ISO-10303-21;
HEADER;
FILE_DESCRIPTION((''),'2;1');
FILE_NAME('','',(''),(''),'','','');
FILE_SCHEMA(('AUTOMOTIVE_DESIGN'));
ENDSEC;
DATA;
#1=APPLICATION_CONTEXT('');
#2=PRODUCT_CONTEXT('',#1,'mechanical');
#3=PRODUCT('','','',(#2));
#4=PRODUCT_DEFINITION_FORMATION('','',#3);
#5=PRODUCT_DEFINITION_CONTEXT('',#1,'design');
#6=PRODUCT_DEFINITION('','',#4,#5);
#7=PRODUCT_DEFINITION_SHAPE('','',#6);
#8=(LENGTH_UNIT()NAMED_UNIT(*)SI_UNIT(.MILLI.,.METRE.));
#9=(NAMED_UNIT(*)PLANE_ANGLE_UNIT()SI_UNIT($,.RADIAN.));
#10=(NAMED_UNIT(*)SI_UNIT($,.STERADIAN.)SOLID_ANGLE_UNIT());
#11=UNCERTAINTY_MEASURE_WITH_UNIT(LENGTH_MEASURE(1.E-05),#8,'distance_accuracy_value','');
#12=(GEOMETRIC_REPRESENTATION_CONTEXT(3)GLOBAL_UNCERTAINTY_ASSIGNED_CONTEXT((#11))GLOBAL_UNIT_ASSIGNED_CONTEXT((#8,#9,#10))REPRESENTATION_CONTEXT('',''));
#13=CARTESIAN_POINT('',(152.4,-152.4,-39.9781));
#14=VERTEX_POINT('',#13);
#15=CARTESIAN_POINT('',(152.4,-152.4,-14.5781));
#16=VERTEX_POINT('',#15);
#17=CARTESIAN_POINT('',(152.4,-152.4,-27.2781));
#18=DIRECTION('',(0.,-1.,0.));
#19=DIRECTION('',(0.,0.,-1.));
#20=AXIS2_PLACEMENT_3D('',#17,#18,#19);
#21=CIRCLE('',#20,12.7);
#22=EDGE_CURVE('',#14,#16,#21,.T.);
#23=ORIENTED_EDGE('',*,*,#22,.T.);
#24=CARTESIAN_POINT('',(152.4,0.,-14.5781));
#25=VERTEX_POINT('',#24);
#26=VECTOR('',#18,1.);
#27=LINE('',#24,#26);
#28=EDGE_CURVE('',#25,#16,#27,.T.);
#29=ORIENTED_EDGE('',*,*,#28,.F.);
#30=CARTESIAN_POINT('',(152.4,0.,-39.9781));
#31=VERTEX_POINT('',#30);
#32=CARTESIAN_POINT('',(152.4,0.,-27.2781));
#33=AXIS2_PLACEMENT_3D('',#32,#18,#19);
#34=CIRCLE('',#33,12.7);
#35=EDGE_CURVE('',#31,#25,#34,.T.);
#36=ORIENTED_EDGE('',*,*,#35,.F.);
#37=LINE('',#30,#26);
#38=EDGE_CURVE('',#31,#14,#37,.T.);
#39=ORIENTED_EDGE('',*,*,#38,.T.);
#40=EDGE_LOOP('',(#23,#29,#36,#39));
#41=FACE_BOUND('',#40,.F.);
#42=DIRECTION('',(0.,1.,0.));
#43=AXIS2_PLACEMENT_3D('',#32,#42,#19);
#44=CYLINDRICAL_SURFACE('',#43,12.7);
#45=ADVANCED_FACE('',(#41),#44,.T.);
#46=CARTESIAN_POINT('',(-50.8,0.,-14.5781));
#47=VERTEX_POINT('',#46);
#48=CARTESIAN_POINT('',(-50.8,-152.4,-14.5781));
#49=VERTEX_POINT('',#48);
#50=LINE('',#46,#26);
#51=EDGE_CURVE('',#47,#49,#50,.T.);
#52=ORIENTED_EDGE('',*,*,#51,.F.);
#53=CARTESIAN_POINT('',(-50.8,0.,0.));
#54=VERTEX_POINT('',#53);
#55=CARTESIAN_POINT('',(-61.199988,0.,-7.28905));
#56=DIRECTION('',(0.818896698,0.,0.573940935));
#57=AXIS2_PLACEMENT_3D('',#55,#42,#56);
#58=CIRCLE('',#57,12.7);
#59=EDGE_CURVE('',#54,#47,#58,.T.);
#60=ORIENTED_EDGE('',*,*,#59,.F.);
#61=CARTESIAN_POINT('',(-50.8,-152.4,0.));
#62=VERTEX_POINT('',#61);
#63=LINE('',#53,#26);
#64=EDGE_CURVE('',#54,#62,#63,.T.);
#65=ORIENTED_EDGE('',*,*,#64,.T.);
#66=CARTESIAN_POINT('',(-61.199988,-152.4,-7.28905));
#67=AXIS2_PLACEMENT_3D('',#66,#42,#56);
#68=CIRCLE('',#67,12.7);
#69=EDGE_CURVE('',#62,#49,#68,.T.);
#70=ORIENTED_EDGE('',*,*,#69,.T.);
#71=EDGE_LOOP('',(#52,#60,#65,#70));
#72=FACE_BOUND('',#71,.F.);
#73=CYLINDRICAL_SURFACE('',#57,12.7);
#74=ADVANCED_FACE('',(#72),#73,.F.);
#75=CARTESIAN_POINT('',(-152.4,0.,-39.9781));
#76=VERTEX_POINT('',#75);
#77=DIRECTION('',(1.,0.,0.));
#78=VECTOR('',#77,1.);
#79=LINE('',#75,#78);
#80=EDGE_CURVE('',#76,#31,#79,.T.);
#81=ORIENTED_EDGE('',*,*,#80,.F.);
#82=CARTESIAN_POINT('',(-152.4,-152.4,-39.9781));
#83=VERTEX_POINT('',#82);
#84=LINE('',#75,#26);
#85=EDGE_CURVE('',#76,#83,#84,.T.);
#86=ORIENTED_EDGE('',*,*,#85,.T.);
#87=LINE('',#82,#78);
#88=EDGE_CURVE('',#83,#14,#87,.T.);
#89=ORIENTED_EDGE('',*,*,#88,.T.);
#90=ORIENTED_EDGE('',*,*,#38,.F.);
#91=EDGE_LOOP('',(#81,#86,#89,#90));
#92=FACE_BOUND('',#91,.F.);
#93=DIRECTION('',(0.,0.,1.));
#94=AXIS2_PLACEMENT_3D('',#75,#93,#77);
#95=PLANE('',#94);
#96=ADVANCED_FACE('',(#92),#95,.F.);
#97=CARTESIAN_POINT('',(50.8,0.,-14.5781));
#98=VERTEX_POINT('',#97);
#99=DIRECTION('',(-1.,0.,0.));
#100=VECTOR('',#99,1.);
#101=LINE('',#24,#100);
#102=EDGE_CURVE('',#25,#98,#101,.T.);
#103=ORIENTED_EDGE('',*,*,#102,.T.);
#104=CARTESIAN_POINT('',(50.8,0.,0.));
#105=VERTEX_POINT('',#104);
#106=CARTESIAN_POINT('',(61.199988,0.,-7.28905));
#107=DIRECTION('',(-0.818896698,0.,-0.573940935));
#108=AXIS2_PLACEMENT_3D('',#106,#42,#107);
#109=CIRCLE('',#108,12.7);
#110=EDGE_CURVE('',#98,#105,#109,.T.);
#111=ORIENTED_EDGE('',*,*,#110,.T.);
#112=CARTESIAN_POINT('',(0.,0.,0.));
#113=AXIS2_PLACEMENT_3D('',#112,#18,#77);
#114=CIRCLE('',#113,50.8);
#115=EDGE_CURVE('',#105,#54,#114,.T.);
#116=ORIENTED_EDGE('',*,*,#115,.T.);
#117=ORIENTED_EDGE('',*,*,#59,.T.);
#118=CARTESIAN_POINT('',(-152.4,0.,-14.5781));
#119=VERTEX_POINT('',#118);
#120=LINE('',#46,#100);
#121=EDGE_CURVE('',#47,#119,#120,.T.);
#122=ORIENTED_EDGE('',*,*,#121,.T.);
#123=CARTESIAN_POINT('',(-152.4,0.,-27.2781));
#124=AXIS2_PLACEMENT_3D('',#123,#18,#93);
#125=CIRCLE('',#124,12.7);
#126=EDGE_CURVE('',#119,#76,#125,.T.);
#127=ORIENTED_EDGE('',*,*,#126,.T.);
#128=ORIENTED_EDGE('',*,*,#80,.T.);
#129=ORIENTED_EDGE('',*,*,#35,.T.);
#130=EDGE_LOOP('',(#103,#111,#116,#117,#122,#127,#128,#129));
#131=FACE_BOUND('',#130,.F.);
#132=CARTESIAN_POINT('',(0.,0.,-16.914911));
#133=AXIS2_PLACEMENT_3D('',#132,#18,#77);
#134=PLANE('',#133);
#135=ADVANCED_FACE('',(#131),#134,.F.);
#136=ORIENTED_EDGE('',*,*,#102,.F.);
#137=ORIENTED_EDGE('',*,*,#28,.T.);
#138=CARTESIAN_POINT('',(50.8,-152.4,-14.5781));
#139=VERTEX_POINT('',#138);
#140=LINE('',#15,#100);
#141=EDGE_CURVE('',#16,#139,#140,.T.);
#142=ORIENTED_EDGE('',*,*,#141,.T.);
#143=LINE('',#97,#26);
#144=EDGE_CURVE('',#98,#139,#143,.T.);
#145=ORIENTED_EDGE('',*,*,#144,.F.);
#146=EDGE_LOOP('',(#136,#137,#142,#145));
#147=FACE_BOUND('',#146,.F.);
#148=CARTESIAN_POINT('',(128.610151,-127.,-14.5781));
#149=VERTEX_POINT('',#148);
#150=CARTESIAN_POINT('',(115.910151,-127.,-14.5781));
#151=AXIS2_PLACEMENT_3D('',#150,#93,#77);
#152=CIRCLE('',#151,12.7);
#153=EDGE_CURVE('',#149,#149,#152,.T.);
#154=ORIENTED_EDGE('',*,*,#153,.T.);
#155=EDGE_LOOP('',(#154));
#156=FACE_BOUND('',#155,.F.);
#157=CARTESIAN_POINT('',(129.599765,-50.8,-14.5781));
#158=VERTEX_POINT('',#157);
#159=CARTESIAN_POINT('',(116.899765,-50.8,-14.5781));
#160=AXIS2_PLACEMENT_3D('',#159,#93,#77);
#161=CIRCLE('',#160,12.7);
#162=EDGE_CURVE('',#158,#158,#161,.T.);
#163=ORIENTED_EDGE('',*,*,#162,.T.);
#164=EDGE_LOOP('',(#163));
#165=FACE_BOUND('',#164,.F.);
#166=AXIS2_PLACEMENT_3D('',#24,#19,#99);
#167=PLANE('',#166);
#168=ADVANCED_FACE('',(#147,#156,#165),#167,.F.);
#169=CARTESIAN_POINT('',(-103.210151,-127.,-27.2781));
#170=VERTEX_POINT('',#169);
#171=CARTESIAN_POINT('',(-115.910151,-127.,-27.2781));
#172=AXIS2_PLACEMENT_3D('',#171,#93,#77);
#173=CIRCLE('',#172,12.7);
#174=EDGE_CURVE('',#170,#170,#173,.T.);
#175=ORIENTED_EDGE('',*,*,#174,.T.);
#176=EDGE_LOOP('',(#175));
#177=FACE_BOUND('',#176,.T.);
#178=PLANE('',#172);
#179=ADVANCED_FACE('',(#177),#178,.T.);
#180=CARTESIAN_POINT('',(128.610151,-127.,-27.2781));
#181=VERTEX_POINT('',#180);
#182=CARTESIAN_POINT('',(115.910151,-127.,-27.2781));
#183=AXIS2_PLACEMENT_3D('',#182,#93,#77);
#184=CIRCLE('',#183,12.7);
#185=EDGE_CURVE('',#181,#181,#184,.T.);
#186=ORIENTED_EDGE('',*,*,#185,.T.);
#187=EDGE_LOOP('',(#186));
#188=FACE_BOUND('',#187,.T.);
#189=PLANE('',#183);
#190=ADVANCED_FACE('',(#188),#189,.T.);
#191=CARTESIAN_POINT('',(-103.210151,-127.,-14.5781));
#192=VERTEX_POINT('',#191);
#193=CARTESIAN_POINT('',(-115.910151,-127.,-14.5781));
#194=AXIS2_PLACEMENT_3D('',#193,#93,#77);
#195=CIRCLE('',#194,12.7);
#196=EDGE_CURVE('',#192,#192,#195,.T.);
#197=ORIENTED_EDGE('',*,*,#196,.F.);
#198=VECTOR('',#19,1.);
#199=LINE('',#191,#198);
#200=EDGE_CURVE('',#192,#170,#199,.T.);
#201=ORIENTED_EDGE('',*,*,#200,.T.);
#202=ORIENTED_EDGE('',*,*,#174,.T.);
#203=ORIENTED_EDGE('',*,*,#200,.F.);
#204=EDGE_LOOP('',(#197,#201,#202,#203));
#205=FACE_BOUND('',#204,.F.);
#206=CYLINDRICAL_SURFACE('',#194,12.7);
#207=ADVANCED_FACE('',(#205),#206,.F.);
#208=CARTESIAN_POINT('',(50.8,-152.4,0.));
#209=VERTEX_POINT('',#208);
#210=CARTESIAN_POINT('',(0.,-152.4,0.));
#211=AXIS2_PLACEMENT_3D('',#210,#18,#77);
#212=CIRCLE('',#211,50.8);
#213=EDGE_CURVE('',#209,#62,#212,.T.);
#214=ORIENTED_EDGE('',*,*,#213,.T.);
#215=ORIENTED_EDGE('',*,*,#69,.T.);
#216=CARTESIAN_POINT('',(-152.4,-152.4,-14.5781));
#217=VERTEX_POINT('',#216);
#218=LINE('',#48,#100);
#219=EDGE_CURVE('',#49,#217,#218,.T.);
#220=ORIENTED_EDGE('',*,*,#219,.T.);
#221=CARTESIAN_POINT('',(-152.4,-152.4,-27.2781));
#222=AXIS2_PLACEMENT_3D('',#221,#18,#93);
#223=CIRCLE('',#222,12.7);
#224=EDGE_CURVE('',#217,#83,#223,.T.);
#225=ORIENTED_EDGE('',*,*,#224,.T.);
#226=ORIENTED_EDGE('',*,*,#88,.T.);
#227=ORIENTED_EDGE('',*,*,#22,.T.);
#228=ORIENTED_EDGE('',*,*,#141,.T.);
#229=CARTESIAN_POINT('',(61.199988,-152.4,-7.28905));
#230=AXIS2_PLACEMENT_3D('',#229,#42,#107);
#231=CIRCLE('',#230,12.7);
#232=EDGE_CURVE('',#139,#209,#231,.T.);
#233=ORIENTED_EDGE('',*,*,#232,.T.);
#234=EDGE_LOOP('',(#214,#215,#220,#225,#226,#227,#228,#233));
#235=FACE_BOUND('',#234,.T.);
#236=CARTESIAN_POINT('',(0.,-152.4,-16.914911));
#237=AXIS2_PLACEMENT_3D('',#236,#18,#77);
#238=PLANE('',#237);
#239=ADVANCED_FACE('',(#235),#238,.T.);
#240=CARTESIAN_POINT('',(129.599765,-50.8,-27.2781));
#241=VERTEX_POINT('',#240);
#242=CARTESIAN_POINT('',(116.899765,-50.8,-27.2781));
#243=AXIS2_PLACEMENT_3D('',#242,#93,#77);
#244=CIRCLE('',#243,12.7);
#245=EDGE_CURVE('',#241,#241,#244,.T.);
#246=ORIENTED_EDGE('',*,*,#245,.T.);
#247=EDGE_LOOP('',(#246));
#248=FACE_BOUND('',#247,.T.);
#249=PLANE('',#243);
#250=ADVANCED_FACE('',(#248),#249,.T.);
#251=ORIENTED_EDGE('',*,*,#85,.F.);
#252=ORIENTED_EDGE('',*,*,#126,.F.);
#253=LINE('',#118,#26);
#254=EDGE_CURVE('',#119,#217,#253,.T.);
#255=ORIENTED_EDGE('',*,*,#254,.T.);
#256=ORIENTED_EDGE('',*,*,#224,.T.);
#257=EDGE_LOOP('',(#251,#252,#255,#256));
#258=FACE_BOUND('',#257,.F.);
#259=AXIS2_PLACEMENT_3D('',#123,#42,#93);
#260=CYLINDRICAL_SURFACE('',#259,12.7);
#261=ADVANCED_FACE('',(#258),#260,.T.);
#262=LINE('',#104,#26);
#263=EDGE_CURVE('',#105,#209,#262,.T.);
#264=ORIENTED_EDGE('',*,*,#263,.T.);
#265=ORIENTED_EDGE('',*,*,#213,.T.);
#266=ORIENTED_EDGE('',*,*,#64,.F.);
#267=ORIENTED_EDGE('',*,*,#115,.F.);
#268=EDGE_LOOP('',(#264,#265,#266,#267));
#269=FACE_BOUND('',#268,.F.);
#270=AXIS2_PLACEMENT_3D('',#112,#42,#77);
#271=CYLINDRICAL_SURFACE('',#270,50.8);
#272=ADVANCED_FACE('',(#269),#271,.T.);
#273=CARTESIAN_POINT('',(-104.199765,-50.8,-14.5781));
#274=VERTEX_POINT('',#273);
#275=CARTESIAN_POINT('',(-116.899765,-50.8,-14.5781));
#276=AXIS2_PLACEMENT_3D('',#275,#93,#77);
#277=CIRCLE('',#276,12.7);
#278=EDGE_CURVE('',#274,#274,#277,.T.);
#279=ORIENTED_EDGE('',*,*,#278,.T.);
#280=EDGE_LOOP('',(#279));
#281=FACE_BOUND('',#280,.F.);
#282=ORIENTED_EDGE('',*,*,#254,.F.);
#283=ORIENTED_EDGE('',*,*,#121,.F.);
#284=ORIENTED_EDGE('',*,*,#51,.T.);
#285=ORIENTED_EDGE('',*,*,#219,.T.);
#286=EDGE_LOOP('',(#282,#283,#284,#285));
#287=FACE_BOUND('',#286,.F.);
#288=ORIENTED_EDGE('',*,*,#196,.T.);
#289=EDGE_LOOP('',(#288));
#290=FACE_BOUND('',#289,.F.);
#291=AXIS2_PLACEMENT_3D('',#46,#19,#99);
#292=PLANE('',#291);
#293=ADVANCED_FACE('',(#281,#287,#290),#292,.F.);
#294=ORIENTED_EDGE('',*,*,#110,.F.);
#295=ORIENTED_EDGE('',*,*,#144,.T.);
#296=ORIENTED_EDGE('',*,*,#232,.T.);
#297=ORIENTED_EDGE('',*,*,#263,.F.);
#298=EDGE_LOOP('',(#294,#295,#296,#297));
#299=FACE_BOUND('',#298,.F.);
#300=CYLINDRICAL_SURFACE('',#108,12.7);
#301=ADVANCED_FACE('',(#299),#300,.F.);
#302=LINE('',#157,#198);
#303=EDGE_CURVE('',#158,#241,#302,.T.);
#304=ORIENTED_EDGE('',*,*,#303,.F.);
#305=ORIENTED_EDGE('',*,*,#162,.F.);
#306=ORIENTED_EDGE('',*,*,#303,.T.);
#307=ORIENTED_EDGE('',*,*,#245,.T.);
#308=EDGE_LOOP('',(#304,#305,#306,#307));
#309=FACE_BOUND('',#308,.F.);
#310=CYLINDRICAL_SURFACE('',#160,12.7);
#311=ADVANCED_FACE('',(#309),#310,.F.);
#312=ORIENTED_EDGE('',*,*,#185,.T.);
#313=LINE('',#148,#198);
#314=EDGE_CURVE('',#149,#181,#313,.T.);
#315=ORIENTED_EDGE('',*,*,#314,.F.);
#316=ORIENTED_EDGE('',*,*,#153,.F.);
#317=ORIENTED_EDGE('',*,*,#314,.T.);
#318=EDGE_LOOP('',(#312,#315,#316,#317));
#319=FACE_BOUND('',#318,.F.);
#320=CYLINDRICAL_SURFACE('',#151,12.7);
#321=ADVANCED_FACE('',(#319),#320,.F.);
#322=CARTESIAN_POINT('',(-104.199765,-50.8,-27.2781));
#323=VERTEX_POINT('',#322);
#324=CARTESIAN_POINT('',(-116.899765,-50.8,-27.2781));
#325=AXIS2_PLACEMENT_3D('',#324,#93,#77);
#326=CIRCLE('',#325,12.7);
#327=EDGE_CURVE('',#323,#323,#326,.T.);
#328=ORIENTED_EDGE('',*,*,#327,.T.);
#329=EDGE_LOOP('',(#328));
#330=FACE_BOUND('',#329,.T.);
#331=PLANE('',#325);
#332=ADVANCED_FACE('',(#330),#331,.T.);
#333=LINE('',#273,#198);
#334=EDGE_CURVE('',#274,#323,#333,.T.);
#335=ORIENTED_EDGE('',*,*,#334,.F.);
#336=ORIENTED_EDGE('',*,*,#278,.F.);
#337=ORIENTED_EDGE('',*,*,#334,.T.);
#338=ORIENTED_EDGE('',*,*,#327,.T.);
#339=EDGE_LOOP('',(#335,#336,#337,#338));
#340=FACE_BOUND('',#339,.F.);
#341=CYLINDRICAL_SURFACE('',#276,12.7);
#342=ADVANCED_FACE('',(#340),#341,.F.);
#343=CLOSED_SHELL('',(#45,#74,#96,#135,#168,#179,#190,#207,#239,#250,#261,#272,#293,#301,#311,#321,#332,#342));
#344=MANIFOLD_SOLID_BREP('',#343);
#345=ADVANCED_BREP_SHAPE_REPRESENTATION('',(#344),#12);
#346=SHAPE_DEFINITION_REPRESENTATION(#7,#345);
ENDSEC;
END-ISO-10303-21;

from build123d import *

# Parameters (mm, degrees)
F0_R       = 25.4
F1_DEPTH   = 152.4
F2_R       = 12.7
F1_FACE1_W = 304.8
F1_FACE1_H = 152.4
F3_DEPTH   = 12.7


with BuildPart() as f1:
    # F0 (on Front) → F1 (new body)
    with BuildSketch(Plane.XZ):
        with BuildLine():
            ThreePointArc((-152.4, -14.5780997561), (-165.1, -27.2780997561), (-152.4, -39.9780997561))
            Line((-152.4, -39.9780997561), (152.4, -39.9780997561))
            ThreePointArc((152.4, -39.9780997561), (165.1, -27.2780997561), (152.4, -14.5780997561))
            Line((152.4, -14.5780997561), (50.8, -14.5780997561))
            ThreePointArc((50.8, -14.5780997561), (48.4999880709, -7.2890498781), (50.8, 0))
            ThreePointArc((50.8, 0), (0, 50.8), (-50.8, 0))
            ThreePointArc((-50.8, 0), (-48.4999880709, -7.2890498781), (-50.8, -14.5780997561))
            Line((-50.8, -14.5780997561), (-152.4, -14.5780997561))
        make_face()
        Circle(F0_R, mode=Mode.SUBTRACT)
        Circle(F0_R)
    extrude(amount=F1_DEPTH)

    # F2 (on face) + F1_face1 (on face) → F3 (cut)
    with BuildSketch(Plane.XY.offset(-14.5780997561)):
        with Locations((115.9101505241, -127)):
            Circle(F2_R)
        with Locations((116.8997645463, -50.8)):
            Circle(F2_R)
        with Locations((-115.9101505241, -127)):
            Circle(F2_R)
        with Locations((-116.8997645463, -50.8)):
            Circle(F2_R)
    with BuildSketch(Plane(origin=(0, -76.2, -39.9780997561), x_dir=(1, 0, 0), z_dir=(0, 0, -1))):
        Rectangle(F1_FACE1_W, F1_FACE1_H)
    extrude(amount=-F3_DEPTH, dir=(0, 0, 1), mode=Mode.SUBTRACT)


solid = f1.part
